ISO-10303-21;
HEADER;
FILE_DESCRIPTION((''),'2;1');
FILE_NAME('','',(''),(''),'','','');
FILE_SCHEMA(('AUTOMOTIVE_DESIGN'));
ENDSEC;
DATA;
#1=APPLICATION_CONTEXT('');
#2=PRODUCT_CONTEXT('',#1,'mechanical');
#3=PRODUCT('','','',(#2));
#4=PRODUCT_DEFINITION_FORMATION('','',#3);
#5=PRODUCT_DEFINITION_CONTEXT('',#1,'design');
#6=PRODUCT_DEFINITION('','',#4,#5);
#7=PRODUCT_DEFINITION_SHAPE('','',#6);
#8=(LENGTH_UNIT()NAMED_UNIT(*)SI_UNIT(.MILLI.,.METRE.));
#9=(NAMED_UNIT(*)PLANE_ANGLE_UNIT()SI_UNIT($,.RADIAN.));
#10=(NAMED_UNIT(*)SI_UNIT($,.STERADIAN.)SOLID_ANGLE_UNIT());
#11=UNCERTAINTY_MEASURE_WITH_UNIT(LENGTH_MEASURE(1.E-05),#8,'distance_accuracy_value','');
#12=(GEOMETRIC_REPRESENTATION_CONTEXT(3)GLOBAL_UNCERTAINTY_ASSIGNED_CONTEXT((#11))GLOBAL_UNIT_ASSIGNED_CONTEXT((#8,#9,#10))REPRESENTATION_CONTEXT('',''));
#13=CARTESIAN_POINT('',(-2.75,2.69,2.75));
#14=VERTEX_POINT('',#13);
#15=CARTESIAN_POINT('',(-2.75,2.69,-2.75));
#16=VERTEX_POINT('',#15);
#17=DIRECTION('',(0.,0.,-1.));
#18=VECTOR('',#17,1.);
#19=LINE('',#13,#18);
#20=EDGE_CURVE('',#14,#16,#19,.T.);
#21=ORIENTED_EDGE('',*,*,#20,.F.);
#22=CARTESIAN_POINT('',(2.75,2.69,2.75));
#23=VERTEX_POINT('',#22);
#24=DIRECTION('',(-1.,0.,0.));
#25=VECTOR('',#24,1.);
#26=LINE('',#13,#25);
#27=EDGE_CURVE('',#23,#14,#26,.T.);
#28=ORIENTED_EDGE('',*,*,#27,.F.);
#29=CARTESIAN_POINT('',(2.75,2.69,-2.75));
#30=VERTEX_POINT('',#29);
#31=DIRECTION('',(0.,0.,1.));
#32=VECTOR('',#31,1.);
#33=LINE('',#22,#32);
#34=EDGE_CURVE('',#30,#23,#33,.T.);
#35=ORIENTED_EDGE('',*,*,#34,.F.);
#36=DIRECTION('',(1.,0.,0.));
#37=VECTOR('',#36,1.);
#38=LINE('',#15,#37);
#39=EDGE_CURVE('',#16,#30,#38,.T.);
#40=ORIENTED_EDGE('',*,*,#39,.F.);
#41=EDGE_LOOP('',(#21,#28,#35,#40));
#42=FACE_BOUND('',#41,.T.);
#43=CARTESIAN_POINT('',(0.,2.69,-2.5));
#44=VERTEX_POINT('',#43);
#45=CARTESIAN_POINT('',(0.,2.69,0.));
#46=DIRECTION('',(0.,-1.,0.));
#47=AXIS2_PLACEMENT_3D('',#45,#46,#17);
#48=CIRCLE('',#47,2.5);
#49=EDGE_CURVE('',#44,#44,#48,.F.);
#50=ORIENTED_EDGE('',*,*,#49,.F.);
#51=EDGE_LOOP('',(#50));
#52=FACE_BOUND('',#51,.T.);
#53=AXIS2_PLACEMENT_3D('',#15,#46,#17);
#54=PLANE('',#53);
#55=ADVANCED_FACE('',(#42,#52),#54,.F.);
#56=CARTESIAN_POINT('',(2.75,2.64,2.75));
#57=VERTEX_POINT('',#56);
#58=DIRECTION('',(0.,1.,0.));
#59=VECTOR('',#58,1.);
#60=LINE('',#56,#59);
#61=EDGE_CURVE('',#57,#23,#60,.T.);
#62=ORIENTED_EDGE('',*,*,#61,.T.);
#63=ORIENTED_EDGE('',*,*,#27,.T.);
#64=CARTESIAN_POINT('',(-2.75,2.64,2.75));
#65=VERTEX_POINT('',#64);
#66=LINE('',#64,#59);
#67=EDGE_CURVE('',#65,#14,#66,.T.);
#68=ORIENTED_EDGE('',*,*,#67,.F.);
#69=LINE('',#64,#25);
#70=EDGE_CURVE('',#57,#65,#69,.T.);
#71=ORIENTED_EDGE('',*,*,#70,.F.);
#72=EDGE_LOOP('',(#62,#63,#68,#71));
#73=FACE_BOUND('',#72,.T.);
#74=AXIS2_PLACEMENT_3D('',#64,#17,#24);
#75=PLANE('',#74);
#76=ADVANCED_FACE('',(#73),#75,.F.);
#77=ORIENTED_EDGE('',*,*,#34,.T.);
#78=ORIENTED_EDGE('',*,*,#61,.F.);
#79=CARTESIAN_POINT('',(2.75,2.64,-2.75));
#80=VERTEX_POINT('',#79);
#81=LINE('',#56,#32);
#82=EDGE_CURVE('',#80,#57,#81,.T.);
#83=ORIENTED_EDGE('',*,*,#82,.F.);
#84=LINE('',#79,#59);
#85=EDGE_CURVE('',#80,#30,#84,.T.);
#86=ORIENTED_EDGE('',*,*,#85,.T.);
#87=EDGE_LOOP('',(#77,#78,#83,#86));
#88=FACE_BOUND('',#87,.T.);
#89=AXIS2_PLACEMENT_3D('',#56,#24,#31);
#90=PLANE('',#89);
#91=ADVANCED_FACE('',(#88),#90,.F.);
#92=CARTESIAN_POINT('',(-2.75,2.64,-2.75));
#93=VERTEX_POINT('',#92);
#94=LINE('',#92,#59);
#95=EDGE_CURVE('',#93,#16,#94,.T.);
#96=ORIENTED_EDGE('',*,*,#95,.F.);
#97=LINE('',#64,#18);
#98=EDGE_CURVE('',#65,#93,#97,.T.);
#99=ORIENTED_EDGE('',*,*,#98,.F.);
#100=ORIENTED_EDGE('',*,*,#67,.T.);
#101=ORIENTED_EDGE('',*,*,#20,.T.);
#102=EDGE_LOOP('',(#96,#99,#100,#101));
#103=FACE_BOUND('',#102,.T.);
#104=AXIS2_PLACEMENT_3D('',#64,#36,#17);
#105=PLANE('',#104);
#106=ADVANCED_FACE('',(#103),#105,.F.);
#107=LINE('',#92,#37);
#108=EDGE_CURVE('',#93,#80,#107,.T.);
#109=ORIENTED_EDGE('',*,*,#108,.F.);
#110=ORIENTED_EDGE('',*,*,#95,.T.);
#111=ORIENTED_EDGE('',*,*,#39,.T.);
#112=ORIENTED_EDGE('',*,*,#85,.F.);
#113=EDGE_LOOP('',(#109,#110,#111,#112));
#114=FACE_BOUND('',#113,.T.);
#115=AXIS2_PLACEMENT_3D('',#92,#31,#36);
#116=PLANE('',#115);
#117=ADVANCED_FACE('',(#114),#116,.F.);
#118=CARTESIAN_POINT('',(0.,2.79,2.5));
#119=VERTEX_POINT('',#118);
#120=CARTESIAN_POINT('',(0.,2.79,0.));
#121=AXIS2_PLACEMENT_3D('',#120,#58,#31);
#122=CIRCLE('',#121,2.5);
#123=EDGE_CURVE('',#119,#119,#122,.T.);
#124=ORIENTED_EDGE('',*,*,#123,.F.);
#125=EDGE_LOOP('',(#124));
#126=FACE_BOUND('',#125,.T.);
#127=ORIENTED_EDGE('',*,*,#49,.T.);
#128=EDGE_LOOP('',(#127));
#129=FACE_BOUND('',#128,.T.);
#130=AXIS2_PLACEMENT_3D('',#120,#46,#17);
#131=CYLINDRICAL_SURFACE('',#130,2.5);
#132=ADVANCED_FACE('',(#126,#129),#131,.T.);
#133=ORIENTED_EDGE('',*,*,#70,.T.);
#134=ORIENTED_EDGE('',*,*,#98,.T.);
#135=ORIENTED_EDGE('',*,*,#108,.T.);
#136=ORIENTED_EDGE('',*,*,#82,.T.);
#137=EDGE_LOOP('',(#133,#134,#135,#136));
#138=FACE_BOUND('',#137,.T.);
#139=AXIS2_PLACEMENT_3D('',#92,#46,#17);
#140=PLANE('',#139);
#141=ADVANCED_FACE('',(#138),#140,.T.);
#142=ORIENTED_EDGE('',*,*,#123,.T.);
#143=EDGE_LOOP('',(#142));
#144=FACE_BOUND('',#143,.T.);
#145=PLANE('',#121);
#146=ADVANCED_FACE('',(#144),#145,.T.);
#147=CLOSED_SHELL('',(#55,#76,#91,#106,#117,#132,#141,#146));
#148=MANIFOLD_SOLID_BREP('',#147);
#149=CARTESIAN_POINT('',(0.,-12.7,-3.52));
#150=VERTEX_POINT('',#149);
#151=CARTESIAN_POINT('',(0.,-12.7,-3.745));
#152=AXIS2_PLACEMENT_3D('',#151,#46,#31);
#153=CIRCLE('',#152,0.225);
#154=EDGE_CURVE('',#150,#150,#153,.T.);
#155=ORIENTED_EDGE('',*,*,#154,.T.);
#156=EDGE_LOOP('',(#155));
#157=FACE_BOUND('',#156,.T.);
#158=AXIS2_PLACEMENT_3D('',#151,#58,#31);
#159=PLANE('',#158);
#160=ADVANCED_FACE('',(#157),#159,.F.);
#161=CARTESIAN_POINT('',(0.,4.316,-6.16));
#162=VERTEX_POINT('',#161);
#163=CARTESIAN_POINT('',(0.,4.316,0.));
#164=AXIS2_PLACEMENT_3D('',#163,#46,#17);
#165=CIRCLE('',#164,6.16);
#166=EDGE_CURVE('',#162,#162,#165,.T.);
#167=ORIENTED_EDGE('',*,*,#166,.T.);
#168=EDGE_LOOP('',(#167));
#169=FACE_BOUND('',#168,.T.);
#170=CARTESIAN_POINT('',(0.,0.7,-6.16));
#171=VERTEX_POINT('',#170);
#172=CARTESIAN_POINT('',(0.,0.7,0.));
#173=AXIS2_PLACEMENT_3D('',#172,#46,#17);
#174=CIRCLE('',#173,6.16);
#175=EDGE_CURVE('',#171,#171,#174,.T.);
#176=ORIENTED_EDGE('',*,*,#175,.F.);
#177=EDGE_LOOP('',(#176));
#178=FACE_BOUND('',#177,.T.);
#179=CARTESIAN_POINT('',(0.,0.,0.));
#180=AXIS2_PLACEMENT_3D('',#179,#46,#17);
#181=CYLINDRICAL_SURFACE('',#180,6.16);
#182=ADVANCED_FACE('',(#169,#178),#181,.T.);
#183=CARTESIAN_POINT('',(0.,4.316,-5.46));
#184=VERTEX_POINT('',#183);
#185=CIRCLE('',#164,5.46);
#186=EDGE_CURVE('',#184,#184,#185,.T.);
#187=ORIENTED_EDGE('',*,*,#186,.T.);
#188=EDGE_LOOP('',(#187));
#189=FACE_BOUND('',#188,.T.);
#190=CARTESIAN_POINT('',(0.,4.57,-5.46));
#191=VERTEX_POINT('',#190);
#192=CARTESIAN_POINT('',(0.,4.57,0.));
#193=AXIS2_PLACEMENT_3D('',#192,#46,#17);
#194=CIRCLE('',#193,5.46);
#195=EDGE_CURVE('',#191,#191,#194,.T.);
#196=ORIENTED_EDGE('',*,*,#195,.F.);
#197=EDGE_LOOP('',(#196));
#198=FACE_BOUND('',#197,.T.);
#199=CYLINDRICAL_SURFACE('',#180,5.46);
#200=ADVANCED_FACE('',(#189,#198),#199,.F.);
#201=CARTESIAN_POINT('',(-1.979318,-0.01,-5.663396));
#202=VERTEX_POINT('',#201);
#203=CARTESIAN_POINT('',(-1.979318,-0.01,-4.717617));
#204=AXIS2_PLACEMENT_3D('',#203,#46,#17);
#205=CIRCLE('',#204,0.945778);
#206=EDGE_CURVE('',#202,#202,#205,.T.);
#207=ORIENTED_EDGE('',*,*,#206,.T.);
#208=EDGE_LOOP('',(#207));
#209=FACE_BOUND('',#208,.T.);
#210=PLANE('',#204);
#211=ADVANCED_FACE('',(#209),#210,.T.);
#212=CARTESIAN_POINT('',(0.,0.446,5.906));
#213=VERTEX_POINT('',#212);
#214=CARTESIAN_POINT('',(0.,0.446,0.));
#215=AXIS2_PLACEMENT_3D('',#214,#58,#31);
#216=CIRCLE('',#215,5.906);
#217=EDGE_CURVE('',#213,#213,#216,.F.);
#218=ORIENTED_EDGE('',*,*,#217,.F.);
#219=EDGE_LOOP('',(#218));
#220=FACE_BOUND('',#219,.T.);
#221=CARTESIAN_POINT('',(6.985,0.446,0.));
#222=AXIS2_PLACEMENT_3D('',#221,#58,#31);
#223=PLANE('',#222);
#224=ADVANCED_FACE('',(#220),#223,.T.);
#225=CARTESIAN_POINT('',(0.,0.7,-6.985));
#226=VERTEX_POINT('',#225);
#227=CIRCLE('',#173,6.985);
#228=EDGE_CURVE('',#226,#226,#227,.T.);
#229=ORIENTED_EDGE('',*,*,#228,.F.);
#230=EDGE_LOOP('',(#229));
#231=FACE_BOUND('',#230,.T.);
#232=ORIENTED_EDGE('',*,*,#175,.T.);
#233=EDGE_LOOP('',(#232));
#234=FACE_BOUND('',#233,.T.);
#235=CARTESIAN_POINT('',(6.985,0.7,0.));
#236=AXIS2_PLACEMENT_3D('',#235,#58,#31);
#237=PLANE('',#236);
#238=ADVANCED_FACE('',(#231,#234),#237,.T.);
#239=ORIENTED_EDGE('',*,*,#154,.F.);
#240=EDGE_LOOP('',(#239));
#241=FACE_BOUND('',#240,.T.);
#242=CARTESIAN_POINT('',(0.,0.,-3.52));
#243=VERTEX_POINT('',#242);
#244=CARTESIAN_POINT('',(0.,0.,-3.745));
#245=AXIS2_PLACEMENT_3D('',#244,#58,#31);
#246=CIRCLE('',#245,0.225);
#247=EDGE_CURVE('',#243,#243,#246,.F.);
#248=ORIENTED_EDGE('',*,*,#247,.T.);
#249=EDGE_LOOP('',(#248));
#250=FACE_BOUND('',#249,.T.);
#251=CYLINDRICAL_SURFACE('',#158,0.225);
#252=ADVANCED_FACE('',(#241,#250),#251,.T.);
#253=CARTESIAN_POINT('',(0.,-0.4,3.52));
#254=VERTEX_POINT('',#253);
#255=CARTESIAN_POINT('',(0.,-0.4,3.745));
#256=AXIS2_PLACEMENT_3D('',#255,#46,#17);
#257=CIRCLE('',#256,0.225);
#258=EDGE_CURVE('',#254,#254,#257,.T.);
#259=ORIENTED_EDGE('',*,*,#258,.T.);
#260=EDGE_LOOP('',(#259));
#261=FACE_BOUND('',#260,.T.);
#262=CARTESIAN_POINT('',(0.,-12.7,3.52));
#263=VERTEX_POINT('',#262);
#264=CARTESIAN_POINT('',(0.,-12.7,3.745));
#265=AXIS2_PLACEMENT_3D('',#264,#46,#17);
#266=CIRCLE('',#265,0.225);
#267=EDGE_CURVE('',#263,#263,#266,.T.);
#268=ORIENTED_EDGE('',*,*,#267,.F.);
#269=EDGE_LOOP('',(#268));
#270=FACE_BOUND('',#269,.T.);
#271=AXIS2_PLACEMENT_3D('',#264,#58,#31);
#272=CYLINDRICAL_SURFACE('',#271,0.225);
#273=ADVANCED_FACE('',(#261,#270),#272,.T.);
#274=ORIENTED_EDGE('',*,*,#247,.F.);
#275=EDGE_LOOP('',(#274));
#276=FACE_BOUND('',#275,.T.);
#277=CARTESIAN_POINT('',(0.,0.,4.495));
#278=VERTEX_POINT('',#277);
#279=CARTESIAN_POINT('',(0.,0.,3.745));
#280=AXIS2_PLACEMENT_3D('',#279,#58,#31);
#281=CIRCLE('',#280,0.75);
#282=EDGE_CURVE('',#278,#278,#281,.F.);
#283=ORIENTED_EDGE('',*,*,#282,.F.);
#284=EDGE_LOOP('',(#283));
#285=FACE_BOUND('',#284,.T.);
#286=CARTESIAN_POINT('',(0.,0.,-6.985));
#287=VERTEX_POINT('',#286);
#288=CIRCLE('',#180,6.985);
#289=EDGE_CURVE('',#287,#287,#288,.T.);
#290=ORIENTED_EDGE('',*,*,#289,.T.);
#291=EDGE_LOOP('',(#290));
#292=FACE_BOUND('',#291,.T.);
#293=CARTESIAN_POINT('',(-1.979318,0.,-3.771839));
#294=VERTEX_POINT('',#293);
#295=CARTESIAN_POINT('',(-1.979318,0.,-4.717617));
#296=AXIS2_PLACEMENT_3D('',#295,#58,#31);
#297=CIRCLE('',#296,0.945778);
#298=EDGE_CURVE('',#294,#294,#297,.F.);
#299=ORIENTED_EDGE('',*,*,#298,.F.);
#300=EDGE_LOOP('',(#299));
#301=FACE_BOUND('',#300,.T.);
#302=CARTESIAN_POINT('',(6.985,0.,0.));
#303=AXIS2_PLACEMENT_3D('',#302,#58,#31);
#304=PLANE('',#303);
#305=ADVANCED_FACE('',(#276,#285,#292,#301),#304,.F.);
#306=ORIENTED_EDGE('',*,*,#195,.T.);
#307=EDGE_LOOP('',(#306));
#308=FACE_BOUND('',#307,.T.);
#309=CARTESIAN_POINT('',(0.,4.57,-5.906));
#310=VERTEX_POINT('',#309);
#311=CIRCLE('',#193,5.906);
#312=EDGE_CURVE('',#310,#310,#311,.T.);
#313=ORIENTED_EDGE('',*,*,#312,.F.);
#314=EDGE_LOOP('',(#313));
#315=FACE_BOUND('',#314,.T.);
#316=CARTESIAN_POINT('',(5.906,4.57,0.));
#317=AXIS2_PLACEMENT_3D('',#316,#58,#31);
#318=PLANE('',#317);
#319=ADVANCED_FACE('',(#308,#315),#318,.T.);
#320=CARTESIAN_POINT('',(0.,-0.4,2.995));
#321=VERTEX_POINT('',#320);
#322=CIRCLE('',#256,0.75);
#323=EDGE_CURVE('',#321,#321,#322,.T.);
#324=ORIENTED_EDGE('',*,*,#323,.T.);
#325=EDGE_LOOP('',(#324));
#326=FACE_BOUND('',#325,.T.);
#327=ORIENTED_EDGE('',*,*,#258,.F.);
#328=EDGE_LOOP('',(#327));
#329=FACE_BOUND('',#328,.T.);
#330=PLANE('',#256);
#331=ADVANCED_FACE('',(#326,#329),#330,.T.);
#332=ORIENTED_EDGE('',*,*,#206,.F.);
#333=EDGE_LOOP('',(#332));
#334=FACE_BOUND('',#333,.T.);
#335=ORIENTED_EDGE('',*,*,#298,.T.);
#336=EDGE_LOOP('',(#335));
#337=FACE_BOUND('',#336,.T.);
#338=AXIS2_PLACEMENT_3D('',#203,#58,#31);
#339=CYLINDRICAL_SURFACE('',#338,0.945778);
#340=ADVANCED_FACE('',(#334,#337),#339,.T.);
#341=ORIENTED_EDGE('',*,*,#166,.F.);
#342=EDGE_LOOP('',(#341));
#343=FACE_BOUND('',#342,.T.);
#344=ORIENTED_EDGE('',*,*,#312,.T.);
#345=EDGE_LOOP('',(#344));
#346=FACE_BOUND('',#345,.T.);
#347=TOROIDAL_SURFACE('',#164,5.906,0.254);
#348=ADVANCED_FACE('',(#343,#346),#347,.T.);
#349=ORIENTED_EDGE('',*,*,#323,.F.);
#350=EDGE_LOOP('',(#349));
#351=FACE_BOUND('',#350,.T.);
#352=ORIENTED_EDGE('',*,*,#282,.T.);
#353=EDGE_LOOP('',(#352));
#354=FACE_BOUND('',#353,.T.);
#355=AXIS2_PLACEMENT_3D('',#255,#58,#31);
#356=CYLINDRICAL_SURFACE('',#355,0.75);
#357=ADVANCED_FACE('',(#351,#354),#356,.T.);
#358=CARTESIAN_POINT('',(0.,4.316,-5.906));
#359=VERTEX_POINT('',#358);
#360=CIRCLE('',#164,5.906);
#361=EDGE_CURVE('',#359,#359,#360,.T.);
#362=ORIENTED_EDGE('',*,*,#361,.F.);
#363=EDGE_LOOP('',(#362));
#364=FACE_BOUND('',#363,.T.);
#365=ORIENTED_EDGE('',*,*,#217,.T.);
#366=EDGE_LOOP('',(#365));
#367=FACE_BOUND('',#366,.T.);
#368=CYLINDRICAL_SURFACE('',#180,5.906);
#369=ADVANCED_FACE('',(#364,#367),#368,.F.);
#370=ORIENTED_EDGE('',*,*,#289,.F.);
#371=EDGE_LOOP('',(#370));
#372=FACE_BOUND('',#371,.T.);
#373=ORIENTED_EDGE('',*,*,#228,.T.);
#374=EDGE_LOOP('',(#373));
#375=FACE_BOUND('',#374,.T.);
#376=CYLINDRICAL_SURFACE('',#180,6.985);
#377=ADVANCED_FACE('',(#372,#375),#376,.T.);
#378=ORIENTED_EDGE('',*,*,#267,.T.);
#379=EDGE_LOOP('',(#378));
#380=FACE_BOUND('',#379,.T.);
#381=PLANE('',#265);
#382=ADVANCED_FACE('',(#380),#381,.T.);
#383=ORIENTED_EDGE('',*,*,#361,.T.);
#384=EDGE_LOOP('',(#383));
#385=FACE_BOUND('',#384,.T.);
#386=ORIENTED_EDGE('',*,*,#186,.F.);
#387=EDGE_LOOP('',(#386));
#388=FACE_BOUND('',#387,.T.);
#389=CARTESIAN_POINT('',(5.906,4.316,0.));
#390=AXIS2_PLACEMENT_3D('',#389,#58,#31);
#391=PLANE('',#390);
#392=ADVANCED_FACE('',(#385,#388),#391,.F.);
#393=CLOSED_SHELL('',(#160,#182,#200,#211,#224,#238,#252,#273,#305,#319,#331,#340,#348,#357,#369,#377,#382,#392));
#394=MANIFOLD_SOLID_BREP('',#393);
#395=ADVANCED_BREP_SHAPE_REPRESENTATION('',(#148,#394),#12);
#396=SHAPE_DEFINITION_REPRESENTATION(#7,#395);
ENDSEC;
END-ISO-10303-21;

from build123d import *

# Parameters (mm, degrees)
SKETCH2_R           = 6.985
BOSS_EXTRUDE1_DEPTH = 0.446
BOSS_EXTRUDE2_START = -2.69
SKETCH3_W           = 5.5
SKETCH3_H           = 5.5
BOSS_EXTRUDE2_DEPTH = 0.05
SKETCH8_R           = 2.5
BOSS_EXTRUDE6_DEPTH = 0.1
SKETCH5_R           = 0.225
BOSS_EXTRUDE4_DEPTH = 12.7
SKETCH7_R           = 0.75
BOSS_EXTRUDE5_DEPTH = 0.4
SKETCH9_R           = 0.945778117
BOSS_EXTRUDE7_DEPTH = 0.01


with BuildPart() as part:
    # Sketch1 → Revolve-Thin2 (revolve)
    with BuildSketch(Plane.XY, mode=Mode.PRIVATE) as revolve_thin2_sk:
        with BuildLine():
            Line((6.985, 0), (6.985, 0.7))
            Line((6.985, 0.7), (6.16, 0.7))
            Line((6.16, 0.7), (6.16, 4.316))
            ThreePointArc((6.16, 4.316), (6.085605122, 4.495605122), (5.906, 4.57))
            Line((5.906, 4.57), (5.46, 4.57))
            Line((5.46, 4.57), (5.46, 4.316))
            Line((5.46, 4.316), (5.906, 4.316))
            Line((5.906, 4.316), (5.906, 0.446))
            Line((5.906, 0.446), (6.731, 0.446))
            Line((6.731, 0.446), (6.731, 0))
            Line((6.731, 0), (6.985, 0))
        make_face()
    revolve(revolve_thin2_sk.sketch.rotate(Axis((0, 0, 0), (0, 1, 0)), 90), axis=Axis((0, 0, 0), (0, 1, 0)))  # turned: the seam where the file's is

    # Sketch2 → Boss-Extrude1 (add)
    with BuildSketch(Plane.XZ):
        with Locations(Location((0, 0, 0), (0, 0, 270))):  # turned: the seam where the file's is
            Circle(SKETCH2_R)
    extrude(amount=-BOSS_EXTRUDE1_DEPTH)

    # Sketch5 → Boss-Extrude4 (add)
    with BuildSketch(Plane.XZ):
        with Locations(Location((0, -3.745, 0), (0, 0, 90))):  # turned: the seam where the file's is
            Circle(SKETCH5_R)
        with Locations(Location((0, 3.745, 0), (0, 0, 90))):  # turned: the seam where the file's is
            Circle(SKETCH5_R)
    extrude(amount=BOSS_EXTRUDE4_DEPTH)

    # Sketch7 → Boss-Extrude5 (add)
    with BuildSketch(Plane.XZ):
        with Locations(Location((0, 3.745, 0), (0, 0, 90))):  # turned: the seam where the file's is
            Circle(SKETCH7_R)
    extrude(amount=BOSS_EXTRUDE5_DEPTH)

    # Sketch9 → Boss-Extrude7 (add)
    with BuildSketch(Plane.XZ):
        with Locations(Location((-1.979317746, -4.717617413, 0), (0, 0, 90))):  # turned: the seam where the file's is
            Circle(SKETCH9_R)
    extrude(amount=BOSS_EXTRUDE7_DEPTH)


with BuildPart() as body_2:
    # Sketch3 → Boss-Extrude2 (new body)
    with BuildSketch(Plane.XZ.offset(BOSS_EXTRUDE2_START)):
        Rectangle(SKETCH3_W, SKETCH3_H)
    extrude(amount=BOSS_EXTRUDE2_DEPTH)

    # Sketch8 → Boss-Extrude6 (add)
    with BuildSketch(Plane(origin=(0, 2.69, 0), x_dir=(-1, 0, 0), z_dir=(0, 1, 0))):
        with Locations(Location((0, 0, 0), (0, 0, 270))):  # turned: the seam where the file's is
            Circle(SKETCH8_R)
    extrude(amount=BOSS_EXTRUDE6_DEPTH)


solid = Compound([part.part, body_2.part])
